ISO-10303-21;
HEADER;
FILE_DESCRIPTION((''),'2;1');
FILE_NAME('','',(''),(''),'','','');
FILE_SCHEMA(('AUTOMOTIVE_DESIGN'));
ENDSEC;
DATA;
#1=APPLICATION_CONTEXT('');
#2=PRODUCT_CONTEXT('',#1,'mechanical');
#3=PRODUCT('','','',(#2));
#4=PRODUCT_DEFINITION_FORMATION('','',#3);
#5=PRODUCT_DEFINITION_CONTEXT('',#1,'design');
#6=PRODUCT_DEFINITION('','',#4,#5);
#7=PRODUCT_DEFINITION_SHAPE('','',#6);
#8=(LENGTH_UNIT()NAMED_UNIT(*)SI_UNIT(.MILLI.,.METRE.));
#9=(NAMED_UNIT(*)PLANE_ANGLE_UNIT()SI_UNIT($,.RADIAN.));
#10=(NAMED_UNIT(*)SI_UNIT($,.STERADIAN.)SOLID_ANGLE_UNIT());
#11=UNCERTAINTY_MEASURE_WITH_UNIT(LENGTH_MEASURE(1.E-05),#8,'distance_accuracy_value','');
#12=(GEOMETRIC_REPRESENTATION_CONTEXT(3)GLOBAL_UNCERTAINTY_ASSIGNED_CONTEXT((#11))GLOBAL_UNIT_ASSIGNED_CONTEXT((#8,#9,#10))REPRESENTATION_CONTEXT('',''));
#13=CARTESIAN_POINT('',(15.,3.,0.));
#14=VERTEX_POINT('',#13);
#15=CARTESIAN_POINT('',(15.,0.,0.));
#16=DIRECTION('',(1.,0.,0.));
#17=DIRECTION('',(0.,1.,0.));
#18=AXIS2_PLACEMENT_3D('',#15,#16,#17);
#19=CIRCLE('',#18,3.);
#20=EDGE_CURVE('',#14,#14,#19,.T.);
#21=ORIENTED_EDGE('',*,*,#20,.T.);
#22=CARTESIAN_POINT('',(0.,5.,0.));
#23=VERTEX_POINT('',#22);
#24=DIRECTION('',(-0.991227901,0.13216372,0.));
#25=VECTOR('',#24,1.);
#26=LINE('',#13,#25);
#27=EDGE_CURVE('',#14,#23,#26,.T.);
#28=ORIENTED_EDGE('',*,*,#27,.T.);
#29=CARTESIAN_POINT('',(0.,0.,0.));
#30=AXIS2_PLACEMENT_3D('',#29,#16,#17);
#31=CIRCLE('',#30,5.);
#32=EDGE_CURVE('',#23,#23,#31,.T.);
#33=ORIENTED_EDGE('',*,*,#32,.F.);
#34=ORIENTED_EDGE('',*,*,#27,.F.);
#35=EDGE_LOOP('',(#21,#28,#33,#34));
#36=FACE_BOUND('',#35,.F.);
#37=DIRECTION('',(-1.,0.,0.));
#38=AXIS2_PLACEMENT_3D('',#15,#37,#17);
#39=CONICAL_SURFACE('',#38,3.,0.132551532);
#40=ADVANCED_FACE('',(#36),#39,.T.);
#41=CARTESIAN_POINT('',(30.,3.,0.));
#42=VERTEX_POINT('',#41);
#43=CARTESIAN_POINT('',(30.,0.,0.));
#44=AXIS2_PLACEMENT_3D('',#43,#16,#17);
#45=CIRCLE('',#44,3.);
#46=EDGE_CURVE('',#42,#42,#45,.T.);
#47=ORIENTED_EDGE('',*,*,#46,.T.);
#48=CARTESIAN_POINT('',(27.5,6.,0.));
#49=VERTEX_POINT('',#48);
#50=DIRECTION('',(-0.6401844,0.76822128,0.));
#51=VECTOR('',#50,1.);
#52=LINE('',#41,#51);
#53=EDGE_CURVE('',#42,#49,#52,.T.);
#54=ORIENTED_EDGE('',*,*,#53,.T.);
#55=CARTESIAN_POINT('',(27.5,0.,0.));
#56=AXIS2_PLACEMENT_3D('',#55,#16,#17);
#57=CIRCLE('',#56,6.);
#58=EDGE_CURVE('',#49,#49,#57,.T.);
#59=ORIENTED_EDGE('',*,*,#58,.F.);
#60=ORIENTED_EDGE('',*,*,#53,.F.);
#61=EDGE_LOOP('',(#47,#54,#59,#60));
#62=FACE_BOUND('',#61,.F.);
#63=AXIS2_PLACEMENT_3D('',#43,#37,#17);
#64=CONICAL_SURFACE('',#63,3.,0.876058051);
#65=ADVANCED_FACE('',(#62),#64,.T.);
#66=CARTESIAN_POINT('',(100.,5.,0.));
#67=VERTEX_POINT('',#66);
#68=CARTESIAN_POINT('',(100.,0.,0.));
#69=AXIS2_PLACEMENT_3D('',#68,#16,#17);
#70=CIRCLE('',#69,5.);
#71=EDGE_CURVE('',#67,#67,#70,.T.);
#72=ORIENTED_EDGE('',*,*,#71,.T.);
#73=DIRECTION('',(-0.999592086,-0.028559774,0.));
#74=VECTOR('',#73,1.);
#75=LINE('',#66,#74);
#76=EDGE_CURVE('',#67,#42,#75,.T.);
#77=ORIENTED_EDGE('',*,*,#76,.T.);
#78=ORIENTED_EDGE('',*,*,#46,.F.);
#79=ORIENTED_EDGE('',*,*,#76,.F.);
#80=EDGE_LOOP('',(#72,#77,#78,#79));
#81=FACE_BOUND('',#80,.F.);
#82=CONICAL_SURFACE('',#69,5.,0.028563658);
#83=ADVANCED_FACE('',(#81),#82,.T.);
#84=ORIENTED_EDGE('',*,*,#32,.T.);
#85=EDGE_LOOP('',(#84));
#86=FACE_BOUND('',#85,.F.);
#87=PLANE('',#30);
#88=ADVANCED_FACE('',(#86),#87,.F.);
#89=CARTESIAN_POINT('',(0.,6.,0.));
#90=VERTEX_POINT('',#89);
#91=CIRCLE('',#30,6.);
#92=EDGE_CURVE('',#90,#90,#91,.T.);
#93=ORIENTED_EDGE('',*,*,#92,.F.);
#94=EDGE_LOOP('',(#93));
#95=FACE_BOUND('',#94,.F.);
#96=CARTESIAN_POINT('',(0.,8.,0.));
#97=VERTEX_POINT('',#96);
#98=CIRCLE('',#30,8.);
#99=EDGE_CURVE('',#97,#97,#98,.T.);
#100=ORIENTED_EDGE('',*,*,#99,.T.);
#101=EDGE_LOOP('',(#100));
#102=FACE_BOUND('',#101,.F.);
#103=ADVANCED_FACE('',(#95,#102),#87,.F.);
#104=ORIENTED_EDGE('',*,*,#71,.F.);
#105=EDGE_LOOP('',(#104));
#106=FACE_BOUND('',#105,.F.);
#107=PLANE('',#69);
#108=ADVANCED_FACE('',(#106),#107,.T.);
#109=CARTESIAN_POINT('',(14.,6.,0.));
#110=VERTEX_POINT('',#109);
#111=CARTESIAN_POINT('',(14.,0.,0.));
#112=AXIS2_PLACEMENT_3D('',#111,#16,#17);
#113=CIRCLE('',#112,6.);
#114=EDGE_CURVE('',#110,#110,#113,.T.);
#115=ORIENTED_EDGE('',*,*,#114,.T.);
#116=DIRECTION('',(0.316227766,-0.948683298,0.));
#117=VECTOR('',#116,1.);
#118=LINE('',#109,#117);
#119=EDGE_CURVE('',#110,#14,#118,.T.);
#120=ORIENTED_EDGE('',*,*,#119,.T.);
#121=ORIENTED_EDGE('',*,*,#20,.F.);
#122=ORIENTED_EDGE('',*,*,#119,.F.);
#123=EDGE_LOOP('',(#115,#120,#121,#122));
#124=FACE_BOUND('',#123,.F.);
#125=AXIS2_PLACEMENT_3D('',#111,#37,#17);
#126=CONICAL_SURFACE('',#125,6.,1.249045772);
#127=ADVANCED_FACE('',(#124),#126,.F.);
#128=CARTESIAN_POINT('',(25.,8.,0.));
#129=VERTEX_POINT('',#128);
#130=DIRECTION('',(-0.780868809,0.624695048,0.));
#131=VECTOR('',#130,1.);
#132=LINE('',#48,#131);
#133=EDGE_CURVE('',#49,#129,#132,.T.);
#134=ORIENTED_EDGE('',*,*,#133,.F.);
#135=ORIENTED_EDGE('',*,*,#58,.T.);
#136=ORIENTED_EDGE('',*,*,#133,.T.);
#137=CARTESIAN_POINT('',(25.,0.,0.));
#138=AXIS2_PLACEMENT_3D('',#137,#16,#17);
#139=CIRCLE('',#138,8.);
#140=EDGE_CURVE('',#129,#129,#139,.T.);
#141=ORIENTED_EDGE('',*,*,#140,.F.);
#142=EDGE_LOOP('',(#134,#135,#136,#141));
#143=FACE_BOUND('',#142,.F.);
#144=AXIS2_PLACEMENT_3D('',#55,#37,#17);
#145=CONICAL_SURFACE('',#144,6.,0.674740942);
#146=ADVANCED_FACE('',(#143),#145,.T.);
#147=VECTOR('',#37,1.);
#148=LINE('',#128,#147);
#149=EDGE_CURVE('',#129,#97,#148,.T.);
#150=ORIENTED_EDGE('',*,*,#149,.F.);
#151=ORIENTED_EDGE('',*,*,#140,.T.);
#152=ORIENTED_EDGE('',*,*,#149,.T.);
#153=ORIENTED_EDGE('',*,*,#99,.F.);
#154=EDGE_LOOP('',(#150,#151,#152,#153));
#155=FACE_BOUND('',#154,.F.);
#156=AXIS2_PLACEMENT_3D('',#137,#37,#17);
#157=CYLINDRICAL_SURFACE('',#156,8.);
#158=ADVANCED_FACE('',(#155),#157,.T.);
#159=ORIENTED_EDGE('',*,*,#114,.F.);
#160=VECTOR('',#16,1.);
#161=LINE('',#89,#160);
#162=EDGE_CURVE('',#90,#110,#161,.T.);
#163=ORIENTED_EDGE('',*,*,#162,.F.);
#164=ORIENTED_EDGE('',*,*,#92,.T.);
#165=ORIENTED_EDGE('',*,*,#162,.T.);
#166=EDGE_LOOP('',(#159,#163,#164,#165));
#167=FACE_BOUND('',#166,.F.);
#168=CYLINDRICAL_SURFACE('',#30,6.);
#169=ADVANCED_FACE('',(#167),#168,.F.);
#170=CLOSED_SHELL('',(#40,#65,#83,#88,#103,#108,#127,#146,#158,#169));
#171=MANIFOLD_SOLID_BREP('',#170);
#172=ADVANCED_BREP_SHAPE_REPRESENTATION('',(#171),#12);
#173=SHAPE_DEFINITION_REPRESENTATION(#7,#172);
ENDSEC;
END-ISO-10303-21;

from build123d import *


with BuildPart() as part:
    # Sketch → Revolution (revolve)
    with BuildSketch(Plane.XY):
        Polygon((0, 0), (100, 0), (100, 5), (30, 3), (27.5, 6), (25, 8), (0, 8), (0, 6), (14, 6), (15, 3), (0, 5), align=None)
    revolve(axis=Axis((0, 0, 0), (1, 0, 0)))


solid = part.part
